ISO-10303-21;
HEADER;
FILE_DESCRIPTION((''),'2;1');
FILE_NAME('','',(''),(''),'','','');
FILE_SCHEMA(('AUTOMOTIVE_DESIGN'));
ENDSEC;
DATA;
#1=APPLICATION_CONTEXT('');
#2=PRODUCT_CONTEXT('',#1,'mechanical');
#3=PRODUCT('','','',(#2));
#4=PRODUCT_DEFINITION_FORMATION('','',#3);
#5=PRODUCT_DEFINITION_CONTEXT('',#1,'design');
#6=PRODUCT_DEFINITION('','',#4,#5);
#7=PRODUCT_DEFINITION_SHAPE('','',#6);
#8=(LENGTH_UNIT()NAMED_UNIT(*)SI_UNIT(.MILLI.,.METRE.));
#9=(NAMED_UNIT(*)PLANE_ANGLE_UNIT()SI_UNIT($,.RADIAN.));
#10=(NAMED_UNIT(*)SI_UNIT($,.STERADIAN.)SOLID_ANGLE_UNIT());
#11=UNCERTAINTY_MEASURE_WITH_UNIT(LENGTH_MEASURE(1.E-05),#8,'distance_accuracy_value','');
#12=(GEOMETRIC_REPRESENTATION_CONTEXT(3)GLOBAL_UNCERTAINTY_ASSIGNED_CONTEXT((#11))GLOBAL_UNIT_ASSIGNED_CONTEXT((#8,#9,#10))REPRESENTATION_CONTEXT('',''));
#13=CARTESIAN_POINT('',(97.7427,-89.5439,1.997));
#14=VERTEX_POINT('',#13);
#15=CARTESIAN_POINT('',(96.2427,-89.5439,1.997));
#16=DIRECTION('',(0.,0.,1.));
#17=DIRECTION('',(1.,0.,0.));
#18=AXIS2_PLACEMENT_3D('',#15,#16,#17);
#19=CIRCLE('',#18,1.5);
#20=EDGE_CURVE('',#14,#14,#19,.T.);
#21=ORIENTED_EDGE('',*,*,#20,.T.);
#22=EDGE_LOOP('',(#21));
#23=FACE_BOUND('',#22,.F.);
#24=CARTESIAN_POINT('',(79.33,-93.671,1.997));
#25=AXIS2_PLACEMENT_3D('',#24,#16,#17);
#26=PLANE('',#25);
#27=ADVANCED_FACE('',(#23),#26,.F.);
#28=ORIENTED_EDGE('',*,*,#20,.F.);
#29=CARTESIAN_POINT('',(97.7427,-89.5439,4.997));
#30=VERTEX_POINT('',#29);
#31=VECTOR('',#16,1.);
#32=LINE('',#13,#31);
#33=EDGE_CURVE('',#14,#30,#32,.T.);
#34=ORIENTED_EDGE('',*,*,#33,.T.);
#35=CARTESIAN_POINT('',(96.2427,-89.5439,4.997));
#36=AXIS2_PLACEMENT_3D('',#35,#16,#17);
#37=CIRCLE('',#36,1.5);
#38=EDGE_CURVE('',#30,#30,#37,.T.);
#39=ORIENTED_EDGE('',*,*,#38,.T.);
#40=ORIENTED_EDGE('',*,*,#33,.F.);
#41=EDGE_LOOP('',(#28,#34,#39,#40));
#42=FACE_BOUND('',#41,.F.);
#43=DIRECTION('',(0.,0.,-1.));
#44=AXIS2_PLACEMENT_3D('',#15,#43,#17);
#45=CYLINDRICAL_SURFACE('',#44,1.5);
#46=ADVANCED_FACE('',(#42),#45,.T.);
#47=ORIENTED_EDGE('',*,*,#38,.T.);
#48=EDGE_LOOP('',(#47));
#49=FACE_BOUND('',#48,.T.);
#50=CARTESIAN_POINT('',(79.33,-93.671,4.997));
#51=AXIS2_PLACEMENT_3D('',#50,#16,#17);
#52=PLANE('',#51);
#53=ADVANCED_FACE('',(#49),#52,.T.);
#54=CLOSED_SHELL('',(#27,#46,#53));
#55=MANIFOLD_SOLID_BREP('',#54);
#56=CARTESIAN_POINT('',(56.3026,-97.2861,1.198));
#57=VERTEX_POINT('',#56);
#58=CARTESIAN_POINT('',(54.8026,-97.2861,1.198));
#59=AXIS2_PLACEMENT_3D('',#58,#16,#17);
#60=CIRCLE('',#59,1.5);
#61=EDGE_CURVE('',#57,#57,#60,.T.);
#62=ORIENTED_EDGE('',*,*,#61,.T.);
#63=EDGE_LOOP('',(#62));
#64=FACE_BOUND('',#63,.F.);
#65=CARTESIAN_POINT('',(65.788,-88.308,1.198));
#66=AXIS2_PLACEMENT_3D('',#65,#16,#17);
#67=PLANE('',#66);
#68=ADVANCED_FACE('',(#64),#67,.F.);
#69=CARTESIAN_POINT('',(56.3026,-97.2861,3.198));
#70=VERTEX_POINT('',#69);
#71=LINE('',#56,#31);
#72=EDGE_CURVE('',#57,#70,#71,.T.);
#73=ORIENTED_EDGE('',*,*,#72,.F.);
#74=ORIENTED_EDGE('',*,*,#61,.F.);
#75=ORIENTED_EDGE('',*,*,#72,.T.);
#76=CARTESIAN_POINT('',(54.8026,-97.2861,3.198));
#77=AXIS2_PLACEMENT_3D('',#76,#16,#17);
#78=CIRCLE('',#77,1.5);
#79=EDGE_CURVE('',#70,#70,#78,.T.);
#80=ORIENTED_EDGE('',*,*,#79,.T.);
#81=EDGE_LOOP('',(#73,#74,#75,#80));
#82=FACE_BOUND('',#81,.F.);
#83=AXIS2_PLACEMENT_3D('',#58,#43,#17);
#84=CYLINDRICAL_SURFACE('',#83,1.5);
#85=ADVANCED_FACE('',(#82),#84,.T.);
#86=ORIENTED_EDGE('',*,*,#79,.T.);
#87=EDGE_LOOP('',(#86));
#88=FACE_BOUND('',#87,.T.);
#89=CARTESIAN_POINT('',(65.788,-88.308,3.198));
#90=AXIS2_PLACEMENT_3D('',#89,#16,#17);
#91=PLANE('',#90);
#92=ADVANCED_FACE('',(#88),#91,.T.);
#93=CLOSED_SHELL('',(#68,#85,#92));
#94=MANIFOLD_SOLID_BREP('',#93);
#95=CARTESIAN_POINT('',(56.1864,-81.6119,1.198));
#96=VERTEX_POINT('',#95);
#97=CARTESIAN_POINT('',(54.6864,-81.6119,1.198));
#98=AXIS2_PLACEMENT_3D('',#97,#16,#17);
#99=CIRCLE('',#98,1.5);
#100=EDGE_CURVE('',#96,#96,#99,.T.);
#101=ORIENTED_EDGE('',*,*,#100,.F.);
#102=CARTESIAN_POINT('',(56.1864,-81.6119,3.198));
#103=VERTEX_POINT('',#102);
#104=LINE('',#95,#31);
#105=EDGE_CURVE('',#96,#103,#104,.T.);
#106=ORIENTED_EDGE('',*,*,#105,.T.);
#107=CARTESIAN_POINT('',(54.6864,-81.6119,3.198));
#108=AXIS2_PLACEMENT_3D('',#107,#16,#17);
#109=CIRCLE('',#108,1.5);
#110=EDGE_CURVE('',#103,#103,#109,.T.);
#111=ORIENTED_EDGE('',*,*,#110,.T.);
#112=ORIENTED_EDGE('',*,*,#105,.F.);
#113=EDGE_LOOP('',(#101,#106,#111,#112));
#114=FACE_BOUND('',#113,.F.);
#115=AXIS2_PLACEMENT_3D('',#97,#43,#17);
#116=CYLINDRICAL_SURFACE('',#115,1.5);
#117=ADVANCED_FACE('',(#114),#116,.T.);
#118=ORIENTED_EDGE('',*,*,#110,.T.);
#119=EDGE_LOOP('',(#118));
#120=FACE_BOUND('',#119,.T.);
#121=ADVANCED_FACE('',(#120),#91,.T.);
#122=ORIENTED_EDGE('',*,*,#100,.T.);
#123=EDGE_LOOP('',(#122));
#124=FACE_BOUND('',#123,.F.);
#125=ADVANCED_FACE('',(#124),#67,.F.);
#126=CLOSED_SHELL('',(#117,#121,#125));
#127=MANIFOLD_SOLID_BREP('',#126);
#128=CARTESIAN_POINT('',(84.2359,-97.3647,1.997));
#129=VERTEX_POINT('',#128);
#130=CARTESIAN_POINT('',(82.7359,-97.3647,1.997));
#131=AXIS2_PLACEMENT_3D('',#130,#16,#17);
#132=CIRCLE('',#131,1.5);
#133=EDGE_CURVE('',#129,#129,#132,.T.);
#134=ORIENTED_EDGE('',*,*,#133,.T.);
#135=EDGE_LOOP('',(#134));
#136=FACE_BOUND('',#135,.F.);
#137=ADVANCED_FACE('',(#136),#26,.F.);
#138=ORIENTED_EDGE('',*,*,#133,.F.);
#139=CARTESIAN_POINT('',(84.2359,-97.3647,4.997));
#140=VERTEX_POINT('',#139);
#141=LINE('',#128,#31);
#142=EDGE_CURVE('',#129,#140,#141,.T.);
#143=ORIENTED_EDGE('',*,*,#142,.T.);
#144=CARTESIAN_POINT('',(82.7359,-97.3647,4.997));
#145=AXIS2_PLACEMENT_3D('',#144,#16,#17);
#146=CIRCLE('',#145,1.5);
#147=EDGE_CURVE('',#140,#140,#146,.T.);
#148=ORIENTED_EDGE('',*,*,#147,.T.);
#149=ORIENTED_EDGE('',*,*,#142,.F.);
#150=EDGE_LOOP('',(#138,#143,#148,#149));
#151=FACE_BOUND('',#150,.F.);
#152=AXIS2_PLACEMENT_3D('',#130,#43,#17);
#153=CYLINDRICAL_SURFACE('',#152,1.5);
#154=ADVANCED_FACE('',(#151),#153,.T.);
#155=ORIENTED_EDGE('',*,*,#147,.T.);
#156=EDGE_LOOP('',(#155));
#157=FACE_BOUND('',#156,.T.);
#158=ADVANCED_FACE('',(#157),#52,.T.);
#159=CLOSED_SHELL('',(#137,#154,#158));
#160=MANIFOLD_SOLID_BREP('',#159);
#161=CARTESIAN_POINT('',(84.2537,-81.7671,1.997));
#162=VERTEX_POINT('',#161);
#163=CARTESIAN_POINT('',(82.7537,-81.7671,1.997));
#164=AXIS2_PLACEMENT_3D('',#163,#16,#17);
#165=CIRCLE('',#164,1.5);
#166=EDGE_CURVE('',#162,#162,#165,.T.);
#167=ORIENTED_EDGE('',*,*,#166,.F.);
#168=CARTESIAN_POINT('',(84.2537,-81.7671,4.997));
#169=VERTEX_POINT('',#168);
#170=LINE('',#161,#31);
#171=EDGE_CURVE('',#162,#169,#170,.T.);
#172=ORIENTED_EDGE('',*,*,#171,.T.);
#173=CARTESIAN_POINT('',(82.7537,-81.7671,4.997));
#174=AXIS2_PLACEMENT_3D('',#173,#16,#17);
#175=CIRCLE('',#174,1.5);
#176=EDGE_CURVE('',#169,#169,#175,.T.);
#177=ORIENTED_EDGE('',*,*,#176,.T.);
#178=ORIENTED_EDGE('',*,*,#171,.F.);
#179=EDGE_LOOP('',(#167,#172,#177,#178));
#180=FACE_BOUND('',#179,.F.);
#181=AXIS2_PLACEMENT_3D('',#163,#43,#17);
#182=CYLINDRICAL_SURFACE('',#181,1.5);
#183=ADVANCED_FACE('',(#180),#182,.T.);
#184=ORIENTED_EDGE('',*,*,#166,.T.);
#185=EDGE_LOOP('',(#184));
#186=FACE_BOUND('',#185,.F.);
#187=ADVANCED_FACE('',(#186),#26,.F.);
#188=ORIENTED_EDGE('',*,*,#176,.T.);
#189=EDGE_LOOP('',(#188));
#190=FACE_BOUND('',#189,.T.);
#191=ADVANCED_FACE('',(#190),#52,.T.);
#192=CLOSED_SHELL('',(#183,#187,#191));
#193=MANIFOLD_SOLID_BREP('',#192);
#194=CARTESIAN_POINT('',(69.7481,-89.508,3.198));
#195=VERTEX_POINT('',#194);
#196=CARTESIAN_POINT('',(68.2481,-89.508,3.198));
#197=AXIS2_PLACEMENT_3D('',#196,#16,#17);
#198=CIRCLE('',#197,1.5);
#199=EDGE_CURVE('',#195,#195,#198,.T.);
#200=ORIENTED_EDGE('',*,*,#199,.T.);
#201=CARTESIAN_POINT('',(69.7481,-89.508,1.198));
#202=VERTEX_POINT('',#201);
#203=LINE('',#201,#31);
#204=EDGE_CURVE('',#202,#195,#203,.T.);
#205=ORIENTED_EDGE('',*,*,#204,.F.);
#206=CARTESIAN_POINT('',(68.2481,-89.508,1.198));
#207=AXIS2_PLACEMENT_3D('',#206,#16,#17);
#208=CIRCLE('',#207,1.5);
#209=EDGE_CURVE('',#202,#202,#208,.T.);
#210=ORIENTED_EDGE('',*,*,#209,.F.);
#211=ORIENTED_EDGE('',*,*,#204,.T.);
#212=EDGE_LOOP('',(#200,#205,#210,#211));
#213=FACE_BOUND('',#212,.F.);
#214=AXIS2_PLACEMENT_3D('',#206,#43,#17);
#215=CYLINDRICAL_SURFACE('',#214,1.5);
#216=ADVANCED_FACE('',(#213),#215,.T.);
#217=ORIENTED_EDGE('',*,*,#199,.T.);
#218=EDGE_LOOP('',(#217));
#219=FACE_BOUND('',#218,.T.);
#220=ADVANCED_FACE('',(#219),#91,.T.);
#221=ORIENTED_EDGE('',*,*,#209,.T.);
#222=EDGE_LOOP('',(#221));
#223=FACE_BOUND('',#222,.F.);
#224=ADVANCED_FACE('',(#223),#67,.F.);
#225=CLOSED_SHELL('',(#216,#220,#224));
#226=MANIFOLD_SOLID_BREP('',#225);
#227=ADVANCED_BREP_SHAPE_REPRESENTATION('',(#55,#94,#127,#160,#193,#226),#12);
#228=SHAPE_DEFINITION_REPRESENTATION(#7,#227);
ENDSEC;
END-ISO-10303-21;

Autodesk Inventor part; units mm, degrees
ref_plane "YZ Plane" through (0, 0, 0) normal (1, 0, 0) x (0, 1, 0)
ref_plane "XZ Plane" through (0, 0, 0) normal (0, 1, 0) x (-1, 0, 0)
ref_plane "XY Plane" through (0, 0, 0) normal (0, 0, 1) x (1, 0, 0)
sketch "Skizze1" plane through (79.33, -93.671, 1.997) normal (0, 0, 1) x (1, 0, 0)
  circle A0 centre (3.4237, 11.9039) radius 1.273 projected
  circle A1 centre (16.9127, 4.1271) radius 1.2955 projected
  circle A2 centre (3.4059, -3.6937) radius 1.3406 projected
  circle A3 centre (3.4237, 11.9039) radius 1.5
  circle A4 centre (16.9127, 4.1271) radius 1.5
  circle A5 centre (3.4059, -3.6937) radius 1.5
  point P0 (-79.33, 93.671)
  dimension "d0" = 3
  dimension "d1" = 3
  dimension "d2" = 3
extrude "Extrusion1" add sketch "Skizze1" along normal blind 3 contours A0 | A1 | A2 | A3 | A4 | A5
sketch "Skizze2" plane through (65.788, -88.308, 1.198) normal (0, 0, 1) x (1, 0, 0)
  circle A0 centre (-11.1016, 6.6961) radius 1.4233 projected
  circle A1 centre (-10.9854, -8.9781) radius 1.2319 projected
  circle A2 centre (2.4601, -1.2) radius 1.287 projected
  circle A3 centre (-11.1016, 6.6961) radius 1.5
  circle A4 centre (2.4601, -1.2) radius 1.5
  circle A5 centre (-10.9854, -8.9781) radius 1.5
  point P0 (-65.788, 88.308)
  dimension "d5" = 3
  dimension "d6" = 3
  dimension "d7" = 3
extrude "Extrusion2" add sketch "Skizze2" along normal blind 2 contours A0 | A1 | A2 | A3 | A4 | A5
properties part number "Pump_Base"
